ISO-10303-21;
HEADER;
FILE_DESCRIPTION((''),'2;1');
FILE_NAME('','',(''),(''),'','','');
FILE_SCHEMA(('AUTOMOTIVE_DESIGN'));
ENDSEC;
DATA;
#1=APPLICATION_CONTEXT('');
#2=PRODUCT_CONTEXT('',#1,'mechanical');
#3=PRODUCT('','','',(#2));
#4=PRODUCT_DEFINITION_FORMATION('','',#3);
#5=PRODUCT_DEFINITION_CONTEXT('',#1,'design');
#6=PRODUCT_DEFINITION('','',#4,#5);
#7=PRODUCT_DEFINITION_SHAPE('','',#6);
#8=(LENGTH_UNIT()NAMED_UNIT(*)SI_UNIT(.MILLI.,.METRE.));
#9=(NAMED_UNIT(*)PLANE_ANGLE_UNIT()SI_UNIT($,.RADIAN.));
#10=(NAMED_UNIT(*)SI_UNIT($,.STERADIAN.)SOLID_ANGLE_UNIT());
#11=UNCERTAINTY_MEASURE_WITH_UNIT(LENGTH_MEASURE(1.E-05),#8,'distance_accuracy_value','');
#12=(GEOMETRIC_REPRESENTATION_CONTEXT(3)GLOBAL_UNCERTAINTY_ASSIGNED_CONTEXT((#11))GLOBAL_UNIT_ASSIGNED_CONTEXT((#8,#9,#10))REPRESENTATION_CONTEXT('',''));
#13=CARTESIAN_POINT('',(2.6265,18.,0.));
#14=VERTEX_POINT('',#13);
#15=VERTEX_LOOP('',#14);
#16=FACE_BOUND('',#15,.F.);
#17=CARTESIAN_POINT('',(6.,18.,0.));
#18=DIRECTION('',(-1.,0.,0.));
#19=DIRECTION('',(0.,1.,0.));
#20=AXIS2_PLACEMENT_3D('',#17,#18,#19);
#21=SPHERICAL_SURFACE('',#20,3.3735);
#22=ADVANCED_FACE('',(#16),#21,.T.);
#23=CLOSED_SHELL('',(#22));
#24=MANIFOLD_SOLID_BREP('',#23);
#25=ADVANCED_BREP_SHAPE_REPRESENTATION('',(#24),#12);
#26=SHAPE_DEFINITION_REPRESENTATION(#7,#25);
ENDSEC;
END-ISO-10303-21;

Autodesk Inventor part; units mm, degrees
ref_plane "YZ Plane" through (0, 0, 0) normal (1, 0, 0) x (0, 1, 0)
ref_plane "XZ Plane" through (0, 0, 0) normal (0, 1, 0) x (-1, 0, 0)
ref_plane "XY Plane" through (0, 0, 0) normal (0, 0, 1) x (1, 0, 0)
sketch "Sketch_1" plane through (0, 0, 0) normal (0, 0, 1) x (1, 0, 0)
  line L0 (9.3735, 18) -> (2.6265, 18)
  arc A0 (9.3735, 18) -> (2.6265, 18) centre (6, 18) ccw
  line L1 (9.3735, 18) -> (2.6265, 18)
  dimension "d0" = 360
revolve "Revolution1" add sketch "Sketch_1" angle 360 about axis through (9.3735, 18, 0) along (1, 0, 0)
properties part number "6005_PART3" material "Acero, suave"
